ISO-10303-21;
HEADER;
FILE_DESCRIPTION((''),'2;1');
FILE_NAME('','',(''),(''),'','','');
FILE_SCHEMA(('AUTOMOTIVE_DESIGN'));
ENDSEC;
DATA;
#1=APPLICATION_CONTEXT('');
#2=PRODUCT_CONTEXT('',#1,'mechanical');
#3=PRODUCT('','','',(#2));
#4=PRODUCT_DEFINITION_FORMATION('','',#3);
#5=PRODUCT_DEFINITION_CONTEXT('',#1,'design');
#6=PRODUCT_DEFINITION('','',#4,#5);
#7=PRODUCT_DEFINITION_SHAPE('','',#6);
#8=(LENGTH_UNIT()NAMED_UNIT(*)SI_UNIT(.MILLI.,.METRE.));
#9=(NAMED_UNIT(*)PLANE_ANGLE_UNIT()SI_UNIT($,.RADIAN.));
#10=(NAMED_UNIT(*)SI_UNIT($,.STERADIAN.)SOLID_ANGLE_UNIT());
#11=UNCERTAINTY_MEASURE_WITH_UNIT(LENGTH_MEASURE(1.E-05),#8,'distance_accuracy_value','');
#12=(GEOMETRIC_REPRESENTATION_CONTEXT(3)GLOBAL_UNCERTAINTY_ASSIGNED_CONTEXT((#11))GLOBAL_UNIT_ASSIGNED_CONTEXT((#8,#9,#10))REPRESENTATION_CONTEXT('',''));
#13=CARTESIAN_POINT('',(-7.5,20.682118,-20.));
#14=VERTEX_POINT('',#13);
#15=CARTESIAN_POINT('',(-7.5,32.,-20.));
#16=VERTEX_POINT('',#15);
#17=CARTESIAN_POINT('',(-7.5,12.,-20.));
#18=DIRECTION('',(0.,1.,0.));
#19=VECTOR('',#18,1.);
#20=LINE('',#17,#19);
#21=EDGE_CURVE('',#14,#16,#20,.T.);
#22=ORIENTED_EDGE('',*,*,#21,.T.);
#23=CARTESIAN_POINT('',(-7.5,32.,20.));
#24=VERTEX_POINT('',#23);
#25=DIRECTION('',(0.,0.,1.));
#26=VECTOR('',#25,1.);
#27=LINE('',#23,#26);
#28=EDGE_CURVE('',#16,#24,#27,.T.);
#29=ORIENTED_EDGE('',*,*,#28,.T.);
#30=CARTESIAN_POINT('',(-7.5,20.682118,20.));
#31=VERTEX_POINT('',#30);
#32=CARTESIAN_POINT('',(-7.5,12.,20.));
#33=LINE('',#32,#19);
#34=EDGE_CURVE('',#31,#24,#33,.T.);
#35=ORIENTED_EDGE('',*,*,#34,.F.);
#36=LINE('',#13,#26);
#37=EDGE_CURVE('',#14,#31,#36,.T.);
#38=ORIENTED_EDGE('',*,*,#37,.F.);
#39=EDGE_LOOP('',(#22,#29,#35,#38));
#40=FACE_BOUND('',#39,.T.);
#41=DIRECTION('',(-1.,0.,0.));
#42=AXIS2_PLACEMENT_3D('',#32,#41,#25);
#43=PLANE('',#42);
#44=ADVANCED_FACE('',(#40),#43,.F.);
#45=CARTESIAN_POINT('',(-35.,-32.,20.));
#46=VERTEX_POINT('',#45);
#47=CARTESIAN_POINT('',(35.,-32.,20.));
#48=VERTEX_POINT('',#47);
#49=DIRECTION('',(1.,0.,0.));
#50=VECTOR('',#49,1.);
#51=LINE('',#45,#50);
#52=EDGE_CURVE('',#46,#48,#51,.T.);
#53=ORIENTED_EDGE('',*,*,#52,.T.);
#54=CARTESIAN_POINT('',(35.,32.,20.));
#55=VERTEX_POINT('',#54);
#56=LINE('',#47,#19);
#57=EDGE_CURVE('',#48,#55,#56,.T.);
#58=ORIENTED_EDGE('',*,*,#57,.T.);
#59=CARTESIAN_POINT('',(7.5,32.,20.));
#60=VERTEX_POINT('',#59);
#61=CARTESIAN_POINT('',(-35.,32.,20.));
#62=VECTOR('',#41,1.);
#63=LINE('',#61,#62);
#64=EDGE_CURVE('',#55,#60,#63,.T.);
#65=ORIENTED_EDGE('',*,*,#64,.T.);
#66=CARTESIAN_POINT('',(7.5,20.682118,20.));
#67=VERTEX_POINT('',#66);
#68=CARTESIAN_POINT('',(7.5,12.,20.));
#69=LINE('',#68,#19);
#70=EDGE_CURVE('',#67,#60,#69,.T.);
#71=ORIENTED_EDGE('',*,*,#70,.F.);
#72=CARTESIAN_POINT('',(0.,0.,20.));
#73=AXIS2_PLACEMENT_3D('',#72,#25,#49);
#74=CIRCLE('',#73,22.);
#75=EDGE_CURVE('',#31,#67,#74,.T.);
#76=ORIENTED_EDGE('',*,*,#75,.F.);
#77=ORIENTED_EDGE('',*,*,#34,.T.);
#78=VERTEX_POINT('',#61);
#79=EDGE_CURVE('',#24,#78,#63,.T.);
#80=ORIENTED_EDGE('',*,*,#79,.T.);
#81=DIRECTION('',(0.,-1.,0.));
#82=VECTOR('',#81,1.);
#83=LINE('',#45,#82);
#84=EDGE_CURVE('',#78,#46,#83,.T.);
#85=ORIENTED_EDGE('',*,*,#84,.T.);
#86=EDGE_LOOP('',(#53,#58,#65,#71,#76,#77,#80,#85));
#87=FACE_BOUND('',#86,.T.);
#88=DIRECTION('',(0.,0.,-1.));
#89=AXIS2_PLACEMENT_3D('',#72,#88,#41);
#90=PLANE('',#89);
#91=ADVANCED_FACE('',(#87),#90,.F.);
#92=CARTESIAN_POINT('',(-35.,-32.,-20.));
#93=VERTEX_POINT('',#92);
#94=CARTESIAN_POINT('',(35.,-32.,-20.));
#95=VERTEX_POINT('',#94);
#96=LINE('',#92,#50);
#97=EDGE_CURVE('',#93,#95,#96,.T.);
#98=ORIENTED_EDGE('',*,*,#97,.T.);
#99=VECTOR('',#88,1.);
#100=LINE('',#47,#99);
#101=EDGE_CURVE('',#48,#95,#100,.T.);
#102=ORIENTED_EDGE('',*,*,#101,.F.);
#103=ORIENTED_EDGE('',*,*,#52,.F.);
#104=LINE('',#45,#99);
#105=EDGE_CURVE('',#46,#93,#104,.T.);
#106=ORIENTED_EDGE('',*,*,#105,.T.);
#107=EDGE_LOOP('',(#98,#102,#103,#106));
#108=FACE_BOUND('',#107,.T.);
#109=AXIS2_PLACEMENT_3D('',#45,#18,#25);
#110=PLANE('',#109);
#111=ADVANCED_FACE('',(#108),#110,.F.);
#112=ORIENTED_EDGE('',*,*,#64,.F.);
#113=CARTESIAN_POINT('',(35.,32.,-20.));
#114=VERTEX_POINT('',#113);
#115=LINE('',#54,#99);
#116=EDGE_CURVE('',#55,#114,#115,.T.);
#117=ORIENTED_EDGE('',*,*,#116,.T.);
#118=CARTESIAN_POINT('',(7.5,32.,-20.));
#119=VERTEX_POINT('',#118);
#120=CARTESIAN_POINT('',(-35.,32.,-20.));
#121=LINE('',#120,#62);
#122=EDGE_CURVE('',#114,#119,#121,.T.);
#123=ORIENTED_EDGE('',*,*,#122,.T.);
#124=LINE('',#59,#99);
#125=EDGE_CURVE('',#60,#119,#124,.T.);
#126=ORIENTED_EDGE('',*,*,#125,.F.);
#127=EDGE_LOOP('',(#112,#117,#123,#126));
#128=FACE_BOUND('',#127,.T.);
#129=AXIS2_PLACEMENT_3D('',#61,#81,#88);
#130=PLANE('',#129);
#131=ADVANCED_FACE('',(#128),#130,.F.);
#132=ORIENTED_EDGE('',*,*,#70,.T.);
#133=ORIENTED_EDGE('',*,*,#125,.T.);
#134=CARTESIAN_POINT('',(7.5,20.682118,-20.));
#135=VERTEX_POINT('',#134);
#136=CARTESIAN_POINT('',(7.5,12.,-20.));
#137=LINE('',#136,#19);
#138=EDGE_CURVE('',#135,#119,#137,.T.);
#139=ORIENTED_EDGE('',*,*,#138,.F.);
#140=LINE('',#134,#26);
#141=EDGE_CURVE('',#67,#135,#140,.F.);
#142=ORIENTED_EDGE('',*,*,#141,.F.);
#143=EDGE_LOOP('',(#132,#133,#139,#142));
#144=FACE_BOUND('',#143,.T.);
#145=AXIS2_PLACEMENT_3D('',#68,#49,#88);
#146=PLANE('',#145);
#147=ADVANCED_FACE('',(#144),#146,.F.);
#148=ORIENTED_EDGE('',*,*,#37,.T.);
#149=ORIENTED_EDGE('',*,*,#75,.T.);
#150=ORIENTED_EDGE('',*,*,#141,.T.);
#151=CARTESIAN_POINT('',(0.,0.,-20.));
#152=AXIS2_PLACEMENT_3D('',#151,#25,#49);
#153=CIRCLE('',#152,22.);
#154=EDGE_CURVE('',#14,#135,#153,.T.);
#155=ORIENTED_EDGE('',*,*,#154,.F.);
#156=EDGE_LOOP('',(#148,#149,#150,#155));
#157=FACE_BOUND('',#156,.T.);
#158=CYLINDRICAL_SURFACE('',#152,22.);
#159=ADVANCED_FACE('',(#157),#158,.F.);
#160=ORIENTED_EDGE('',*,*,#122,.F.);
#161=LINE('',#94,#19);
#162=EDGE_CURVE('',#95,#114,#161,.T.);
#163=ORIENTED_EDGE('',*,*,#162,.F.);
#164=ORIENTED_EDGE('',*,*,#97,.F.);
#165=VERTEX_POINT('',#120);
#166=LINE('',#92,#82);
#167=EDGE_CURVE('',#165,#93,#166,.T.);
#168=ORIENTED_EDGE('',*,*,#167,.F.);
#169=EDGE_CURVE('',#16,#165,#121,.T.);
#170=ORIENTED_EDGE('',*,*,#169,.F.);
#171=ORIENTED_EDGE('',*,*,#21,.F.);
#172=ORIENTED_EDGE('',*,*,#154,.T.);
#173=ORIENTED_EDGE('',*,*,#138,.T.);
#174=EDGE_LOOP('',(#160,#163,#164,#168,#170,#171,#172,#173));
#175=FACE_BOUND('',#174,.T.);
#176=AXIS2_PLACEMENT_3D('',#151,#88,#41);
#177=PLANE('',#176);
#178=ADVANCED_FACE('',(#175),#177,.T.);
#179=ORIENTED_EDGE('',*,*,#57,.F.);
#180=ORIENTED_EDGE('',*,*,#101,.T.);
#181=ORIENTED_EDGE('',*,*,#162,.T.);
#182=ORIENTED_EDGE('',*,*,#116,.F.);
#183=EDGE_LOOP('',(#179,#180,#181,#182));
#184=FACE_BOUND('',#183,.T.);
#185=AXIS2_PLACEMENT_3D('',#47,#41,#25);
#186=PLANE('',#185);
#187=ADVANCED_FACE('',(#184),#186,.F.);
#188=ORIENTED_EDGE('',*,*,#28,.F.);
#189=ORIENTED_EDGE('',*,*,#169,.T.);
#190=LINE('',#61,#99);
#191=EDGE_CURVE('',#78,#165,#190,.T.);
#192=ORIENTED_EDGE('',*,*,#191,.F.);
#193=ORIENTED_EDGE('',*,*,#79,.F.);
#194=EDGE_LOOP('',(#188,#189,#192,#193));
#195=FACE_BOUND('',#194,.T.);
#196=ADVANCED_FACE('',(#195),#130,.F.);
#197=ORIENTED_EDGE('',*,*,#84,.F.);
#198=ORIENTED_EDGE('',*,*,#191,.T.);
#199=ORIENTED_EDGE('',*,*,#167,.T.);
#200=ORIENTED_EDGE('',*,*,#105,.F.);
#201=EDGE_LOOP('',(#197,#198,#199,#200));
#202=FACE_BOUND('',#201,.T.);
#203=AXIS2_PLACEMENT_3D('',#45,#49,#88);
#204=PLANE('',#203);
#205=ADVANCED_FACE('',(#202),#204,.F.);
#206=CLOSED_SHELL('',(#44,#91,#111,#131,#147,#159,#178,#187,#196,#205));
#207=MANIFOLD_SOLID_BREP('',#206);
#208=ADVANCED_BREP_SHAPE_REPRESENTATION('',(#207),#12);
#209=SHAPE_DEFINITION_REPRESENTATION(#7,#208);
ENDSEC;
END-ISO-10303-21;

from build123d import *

# Parameters (mm, degrees)
SKETCH_1_W          = 70
SKETCH_1_H          = 64
EXTRUDE_1_DEPTH     = 20
SKETCH_2_R          = 22
CUT_EXTRUDE_1_DEPTH = 40
SKETCH_3_W          = 15
SKETCH_3_H          = 40
CUT_EXTRUDE_2_DEPTH = 20


with BuildPart() as part:
    # 草图1 → 凸台-拉伸1 (new, symmetric)
    with BuildSketch(Plane.XY):
        Rectangle(SKETCH_1_W, SKETCH_1_H)
    extrude(amount=EXTRUDE_1_DEPTH, both=True)

    # 草图2 → 切除-拉伸1 (cut)
    with BuildSketch(Plane.XY.offset(20)):
        Circle(SKETCH_2_R)
    extrude(amount=-CUT_EXTRUDE_1_DEPTH, mode=Mode.SUBTRACT)

    # 草图3 → 切除-拉伸2 (cut)
    with BuildSketch(Plane(origin=(0, 32, 0), x_dir=(1, 0, 0), z_dir=(0, 1, 0))):
        Rectangle(SKETCH_3_W, SKETCH_3_H)
    extrude(amount=-CUT_EXTRUDE_2_DEPTH, mode=Mode.SUBTRACT)


solid = part.part
